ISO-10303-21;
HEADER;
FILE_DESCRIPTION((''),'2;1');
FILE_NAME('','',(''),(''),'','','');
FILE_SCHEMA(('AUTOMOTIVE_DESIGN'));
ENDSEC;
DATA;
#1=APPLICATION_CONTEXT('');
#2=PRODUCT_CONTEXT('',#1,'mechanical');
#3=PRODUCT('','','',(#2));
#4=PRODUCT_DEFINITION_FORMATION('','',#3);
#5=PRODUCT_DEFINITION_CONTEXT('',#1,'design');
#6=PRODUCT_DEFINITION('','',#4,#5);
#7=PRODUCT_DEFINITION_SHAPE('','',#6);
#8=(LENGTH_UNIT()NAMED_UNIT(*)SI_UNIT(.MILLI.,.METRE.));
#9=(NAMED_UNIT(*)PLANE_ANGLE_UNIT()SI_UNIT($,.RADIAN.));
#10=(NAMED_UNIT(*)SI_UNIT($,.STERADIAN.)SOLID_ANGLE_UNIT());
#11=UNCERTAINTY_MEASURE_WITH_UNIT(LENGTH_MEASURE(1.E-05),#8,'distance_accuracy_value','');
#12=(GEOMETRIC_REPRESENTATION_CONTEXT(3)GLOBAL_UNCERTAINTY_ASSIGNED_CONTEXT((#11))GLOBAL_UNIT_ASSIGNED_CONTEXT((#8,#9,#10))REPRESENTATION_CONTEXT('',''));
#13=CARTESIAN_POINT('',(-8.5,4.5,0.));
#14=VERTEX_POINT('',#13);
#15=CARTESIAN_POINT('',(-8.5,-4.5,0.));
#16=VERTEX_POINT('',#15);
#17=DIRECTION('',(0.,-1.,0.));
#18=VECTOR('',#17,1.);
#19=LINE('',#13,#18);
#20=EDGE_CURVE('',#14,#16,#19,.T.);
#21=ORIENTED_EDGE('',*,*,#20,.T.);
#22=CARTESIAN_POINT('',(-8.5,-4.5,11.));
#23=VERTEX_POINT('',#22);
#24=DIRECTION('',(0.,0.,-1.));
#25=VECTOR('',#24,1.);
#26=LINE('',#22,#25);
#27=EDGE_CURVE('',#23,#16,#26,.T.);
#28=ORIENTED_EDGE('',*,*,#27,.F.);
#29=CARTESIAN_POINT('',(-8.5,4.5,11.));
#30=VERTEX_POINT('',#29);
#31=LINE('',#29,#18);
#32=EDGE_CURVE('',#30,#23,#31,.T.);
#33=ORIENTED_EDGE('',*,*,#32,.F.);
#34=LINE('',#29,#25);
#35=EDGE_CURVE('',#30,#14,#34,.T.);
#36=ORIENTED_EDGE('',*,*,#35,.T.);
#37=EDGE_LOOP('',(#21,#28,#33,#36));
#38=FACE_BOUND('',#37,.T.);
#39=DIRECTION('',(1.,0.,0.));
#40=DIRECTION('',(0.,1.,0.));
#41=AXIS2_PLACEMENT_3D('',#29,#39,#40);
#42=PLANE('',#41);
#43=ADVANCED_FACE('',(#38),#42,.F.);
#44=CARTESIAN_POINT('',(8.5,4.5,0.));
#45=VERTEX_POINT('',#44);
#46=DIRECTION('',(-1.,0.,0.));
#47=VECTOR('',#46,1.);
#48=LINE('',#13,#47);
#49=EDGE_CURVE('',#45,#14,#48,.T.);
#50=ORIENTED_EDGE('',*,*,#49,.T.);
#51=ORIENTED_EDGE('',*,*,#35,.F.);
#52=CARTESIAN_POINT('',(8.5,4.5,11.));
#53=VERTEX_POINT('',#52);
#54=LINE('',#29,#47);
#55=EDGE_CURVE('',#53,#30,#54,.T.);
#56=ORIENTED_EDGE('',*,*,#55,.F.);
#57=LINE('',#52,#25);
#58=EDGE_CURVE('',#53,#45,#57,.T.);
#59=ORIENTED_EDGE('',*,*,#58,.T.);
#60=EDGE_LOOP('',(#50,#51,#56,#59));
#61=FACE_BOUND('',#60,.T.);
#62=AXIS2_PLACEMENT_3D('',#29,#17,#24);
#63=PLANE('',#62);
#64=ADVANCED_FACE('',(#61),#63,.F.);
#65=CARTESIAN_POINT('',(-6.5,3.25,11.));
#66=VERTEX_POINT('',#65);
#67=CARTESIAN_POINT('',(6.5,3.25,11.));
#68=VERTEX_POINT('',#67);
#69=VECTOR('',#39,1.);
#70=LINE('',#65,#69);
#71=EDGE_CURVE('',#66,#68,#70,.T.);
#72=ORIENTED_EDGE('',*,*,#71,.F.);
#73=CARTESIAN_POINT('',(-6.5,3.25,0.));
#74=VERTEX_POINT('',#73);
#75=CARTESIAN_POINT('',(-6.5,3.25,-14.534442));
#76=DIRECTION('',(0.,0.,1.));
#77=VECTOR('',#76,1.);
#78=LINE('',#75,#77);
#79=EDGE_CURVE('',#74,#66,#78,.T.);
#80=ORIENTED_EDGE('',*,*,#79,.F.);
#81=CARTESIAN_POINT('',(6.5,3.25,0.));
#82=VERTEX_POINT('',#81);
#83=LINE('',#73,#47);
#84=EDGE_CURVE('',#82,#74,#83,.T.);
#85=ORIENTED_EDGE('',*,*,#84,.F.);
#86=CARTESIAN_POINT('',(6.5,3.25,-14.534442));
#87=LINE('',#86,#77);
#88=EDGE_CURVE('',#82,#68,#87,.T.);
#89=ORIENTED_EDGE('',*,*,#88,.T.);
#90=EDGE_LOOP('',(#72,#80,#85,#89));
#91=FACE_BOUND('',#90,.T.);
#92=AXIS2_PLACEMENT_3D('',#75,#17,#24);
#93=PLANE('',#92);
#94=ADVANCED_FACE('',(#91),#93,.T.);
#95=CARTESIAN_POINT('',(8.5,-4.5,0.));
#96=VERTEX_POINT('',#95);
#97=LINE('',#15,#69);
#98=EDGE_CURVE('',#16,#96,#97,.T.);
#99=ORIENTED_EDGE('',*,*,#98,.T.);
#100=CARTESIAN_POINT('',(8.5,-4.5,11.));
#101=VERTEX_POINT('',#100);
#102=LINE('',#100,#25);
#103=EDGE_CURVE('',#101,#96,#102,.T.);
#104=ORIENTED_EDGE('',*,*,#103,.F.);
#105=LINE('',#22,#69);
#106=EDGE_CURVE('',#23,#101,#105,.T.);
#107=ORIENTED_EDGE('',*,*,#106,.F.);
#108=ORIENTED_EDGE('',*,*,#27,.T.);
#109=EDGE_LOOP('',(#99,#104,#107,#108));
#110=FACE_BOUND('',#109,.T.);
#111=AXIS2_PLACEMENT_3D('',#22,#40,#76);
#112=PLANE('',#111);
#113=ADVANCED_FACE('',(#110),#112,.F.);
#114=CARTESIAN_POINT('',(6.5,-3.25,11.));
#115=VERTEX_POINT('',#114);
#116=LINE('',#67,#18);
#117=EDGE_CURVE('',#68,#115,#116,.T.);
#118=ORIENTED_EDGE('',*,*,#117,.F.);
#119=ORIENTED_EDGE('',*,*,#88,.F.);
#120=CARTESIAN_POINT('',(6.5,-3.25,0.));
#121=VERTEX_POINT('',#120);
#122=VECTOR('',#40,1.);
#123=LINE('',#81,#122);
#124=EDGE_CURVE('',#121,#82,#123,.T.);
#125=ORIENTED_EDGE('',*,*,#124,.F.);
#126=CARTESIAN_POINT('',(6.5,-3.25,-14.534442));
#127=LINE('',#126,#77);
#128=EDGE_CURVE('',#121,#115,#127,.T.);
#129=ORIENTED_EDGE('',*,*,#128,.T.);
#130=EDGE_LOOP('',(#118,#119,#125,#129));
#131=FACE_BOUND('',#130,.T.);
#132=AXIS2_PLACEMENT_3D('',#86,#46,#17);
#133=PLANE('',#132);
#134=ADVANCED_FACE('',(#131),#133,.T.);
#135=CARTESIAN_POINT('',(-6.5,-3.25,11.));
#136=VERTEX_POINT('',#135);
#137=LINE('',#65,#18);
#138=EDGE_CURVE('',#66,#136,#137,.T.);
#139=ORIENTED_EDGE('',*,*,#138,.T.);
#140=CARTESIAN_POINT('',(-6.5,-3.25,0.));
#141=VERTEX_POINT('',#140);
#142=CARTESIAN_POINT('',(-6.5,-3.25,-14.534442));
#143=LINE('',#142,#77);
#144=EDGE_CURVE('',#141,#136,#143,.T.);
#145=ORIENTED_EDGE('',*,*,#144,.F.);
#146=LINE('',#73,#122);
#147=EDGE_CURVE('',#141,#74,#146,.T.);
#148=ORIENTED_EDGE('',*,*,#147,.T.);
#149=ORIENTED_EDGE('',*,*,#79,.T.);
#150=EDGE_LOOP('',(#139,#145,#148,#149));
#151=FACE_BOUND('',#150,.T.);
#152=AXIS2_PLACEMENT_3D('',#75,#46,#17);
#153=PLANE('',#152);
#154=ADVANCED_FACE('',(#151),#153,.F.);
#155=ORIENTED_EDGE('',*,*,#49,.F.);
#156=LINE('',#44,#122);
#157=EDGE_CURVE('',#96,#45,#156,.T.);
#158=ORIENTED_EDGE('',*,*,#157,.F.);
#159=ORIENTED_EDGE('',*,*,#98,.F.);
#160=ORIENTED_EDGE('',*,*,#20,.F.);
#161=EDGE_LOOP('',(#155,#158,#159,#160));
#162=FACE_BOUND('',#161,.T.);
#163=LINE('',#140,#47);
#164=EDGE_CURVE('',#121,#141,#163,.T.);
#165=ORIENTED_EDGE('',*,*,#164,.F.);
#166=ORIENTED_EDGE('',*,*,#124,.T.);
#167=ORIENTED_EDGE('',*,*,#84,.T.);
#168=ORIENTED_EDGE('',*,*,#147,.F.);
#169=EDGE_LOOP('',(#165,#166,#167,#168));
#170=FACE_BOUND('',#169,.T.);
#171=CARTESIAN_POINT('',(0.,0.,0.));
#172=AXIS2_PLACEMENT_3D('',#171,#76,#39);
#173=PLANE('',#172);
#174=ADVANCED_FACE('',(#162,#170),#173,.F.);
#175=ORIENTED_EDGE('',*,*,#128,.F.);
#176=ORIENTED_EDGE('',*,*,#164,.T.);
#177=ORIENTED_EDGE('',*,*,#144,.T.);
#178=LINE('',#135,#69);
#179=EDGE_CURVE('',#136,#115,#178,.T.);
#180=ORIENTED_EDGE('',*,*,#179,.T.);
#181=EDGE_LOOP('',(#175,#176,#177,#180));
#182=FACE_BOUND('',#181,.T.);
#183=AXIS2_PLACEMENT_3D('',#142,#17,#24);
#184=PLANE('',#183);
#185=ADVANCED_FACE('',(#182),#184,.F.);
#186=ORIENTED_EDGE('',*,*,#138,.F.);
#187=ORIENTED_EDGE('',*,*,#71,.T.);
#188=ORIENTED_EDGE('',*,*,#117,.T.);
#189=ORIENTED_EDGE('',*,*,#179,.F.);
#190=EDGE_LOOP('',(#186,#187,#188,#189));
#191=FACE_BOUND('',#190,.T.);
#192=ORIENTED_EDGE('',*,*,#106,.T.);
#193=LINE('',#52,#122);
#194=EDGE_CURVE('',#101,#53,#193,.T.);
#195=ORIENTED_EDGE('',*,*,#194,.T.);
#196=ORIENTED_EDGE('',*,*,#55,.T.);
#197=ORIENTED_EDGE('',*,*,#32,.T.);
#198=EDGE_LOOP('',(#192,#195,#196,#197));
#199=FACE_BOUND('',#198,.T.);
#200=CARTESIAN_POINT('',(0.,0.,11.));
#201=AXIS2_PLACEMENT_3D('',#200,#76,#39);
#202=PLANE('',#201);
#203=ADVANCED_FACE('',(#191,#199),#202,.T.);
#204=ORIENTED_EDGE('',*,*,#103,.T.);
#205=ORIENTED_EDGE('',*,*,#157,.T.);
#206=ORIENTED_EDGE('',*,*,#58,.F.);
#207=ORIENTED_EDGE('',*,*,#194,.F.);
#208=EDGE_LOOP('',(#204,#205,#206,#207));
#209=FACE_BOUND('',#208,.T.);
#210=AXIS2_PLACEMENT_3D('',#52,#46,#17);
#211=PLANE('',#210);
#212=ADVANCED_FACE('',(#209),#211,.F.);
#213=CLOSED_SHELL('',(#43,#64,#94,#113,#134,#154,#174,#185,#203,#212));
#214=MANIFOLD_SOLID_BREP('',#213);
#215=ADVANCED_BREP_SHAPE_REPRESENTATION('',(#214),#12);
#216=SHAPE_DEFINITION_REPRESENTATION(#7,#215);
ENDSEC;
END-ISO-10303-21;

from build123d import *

# Parameters (mm, degrees)
ESQUISSE1_W             = 17
ESQUISSE1_H             = 9
BOSS_EXTRU_1_DEPTH      = 11
ESQUISSE2_W             = 13
ESQUISSE2_H             = 6.5
ENL_V_MAT_EXTRU_1_DEPTH = 11


with BuildPart() as part:
    # Esquisse1 → Boss.-Extru.1 (new body)
    with BuildSketch(Plane.XY):
        Rectangle(ESQUISSE1_W, ESQUISSE1_H)
    extrude(amount=BOSS_EXTRU_1_DEPTH)

    # Esquisse2 → Enlèv. mat.-Extru.1 (cut)
    with BuildSketch(Plane.XY.offset(11)):
        Rectangle(ESQUISSE2_W, ESQUISSE2_H)
    extrude(amount=-ENL_V_MAT_EXTRU_1_DEPTH, mode=Mode.SUBTRACT)


solid = part.part
